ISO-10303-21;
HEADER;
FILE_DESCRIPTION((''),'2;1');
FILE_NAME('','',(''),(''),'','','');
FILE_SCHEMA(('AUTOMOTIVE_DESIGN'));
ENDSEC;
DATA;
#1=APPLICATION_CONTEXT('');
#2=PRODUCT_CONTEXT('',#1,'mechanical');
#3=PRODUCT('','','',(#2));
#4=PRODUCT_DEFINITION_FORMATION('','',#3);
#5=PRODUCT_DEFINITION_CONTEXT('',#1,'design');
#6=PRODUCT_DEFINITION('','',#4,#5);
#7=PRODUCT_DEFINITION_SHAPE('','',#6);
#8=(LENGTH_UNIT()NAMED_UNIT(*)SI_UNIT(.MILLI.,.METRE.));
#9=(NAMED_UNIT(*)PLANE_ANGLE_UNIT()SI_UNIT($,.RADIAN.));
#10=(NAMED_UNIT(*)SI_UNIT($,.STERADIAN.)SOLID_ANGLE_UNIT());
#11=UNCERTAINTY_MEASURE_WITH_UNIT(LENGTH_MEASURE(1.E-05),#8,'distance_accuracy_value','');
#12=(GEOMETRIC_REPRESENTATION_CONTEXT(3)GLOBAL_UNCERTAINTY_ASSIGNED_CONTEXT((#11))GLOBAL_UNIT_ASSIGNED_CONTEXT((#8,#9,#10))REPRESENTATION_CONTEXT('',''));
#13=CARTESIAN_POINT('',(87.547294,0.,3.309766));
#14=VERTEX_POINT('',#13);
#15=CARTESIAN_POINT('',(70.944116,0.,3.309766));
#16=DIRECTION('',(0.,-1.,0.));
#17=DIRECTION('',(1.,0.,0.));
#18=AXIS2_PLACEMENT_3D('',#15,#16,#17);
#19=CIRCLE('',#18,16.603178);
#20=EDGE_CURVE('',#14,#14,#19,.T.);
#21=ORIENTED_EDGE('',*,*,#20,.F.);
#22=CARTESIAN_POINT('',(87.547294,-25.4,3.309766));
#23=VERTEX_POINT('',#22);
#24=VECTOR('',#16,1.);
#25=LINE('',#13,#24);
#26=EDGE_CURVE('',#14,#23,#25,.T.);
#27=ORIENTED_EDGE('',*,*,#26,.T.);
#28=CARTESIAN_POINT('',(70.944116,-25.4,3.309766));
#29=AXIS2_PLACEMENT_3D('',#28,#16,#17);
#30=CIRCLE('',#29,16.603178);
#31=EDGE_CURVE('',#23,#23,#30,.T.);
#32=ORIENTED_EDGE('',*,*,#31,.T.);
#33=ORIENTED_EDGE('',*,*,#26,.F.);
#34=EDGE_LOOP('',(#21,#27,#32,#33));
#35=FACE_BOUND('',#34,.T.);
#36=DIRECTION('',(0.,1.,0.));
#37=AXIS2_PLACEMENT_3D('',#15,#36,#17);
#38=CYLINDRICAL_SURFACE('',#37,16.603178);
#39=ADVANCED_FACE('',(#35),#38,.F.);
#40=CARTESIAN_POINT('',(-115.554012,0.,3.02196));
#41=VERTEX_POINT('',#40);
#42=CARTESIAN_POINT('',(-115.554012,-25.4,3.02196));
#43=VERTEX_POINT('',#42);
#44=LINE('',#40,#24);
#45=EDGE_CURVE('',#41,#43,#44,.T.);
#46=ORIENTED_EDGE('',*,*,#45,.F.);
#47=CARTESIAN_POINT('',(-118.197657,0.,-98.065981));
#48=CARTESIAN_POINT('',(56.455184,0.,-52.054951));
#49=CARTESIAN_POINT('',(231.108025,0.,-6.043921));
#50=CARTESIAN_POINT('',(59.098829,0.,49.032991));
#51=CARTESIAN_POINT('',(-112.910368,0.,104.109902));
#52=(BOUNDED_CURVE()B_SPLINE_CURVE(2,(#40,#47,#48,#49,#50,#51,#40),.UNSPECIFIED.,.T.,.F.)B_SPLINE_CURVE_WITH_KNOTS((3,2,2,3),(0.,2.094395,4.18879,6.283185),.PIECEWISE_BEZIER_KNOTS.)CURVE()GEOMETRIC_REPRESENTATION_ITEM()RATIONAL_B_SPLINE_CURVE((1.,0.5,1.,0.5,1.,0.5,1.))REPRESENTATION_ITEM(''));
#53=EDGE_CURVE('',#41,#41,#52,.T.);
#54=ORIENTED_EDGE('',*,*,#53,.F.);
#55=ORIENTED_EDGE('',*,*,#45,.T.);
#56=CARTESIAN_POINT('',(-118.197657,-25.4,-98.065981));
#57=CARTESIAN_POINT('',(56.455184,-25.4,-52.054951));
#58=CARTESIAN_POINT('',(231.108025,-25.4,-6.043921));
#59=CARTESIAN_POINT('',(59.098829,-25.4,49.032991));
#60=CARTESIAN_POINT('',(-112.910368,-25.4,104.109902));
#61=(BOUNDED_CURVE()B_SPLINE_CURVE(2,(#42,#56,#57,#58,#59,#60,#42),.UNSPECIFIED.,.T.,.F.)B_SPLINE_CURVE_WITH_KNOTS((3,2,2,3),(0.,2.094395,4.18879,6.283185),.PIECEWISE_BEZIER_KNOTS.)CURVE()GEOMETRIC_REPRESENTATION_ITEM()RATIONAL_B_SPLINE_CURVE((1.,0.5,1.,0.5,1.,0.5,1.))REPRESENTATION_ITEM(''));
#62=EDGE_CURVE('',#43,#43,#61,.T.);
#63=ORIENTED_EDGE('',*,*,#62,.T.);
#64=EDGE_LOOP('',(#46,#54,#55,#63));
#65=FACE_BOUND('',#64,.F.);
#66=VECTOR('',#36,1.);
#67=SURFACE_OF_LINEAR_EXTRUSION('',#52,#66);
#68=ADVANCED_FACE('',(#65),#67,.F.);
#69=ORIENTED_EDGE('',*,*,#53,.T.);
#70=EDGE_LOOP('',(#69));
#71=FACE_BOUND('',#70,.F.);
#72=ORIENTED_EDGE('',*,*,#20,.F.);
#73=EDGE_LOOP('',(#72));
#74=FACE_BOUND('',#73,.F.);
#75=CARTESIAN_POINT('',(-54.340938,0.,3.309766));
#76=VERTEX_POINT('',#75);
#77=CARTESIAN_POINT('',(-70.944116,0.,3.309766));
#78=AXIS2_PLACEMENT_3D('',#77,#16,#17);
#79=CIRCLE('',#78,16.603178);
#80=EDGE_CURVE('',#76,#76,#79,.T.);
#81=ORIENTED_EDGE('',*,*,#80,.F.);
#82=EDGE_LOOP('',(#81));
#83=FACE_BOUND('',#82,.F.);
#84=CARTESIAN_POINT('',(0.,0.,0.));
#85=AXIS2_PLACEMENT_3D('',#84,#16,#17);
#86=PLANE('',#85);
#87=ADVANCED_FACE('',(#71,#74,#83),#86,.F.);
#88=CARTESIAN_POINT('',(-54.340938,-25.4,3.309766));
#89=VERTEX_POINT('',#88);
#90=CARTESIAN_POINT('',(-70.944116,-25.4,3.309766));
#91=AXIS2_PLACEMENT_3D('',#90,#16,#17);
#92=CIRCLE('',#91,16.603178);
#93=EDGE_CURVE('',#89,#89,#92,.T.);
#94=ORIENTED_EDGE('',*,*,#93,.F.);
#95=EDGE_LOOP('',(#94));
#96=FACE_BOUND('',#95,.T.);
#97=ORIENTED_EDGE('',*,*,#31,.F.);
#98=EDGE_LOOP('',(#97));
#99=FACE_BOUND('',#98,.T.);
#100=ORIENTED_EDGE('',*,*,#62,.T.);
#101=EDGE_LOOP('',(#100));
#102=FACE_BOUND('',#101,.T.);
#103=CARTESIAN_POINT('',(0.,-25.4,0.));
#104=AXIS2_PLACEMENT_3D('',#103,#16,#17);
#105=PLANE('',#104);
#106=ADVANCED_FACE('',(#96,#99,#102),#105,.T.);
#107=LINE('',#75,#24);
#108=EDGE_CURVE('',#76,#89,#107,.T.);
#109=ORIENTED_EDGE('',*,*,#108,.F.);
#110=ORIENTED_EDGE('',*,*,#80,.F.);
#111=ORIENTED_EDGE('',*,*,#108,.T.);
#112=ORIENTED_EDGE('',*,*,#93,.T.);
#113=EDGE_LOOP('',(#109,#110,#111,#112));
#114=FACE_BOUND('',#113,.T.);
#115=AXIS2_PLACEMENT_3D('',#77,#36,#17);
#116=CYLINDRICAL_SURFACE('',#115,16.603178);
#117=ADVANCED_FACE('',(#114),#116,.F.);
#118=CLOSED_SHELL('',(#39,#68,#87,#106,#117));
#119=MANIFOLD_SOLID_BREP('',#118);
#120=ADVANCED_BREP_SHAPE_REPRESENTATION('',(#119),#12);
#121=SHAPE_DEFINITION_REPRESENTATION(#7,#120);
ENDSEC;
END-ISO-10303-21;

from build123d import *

# Parameters (mm, degrees)
F0_R     = 16.603178
F1_DEPTH = 25.4


with BuildPart() as f1:
    # F0 (on Front) → F1 (new body)
    with BuildSketch(Plane.XZ):
        with BuildLine():
            add(Edge.make_bspline(
                [(-115.554012, 3.02196), (-118.197657, -98.065981), (56.455184, -52.054951), (231.108025, -6.043921), (59.098829, 49.032991), (-112.910368, 104.109902), (-115.554012, 3.02196)],
                knots=[0, 0, 0, 2.094395, 2.094395, 4.18879, 4.18879, 6.283185, 6.283185, 6.283185], degree=2, weights=[1, 0.5, 1, 0.5, 1, 0.5, 1]))
        make_face()
        with Locations((-70.944116, 3.309766)):
            Circle(F0_R, mode=Mode.SUBTRACT)
        with Locations((70.944116, 3.309766)):
            Circle(F0_R, mode=Mode.SUBTRACT)
    extrude(amount=F1_DEPTH)


solid = f1.part
